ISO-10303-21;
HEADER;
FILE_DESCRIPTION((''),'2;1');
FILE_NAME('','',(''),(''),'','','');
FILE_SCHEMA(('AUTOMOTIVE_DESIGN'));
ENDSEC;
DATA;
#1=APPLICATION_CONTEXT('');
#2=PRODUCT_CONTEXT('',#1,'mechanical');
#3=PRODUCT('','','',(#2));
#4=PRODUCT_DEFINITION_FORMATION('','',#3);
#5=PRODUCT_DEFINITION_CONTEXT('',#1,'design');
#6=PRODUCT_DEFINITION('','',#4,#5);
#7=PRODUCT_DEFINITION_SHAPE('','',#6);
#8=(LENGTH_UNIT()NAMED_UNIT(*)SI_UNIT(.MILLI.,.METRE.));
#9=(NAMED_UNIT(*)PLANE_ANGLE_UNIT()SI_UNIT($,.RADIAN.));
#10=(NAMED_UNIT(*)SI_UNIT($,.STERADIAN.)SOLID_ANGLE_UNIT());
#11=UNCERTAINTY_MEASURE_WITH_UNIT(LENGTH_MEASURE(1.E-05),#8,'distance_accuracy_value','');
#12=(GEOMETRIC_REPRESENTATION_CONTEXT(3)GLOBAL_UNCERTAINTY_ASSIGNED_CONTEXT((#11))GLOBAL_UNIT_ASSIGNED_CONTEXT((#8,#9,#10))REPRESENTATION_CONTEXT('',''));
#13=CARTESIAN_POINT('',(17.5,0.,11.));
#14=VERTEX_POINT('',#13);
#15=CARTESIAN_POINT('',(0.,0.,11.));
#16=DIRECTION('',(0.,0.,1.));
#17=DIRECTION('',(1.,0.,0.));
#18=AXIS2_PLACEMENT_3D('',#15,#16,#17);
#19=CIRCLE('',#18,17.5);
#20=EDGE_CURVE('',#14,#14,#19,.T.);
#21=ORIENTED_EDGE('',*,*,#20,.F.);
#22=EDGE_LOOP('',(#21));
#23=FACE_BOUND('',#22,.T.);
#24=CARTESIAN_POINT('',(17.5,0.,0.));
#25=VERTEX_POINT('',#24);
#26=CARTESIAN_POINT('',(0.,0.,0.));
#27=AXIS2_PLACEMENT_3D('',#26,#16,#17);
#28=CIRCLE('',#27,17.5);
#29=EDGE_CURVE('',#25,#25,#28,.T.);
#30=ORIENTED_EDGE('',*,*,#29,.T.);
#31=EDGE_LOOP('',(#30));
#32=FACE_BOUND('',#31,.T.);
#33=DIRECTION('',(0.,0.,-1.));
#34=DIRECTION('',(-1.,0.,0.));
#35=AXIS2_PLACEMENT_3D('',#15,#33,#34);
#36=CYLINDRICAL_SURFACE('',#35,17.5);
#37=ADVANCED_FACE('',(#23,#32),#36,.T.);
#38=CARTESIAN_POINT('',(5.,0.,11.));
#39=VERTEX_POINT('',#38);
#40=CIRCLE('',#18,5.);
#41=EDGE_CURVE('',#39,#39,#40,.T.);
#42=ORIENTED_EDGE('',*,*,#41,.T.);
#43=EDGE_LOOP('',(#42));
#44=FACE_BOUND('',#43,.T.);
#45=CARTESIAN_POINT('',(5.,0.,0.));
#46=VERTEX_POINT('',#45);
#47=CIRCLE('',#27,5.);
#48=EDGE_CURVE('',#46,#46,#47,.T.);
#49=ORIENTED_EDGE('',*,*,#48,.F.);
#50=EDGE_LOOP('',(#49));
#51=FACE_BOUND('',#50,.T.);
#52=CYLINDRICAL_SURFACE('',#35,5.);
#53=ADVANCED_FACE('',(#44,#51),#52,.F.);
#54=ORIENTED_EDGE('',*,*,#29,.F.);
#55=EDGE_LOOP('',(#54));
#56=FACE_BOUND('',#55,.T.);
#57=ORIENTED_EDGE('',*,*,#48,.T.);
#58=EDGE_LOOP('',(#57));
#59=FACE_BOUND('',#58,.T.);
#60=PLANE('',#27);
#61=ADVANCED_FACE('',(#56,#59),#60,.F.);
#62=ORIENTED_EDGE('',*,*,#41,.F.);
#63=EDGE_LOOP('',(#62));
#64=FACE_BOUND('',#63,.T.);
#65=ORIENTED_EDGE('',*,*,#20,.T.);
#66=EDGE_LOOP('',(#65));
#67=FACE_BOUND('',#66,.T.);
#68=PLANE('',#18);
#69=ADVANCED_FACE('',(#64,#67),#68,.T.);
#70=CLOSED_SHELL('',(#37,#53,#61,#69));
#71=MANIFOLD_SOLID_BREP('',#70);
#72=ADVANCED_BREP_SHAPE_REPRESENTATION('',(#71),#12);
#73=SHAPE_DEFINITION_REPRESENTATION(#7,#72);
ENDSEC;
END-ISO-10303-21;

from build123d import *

# Parameters (mm, degrees)
CROQUIS1_R              = 17.5
CROQUIS1_R_2            = 5
SALIENTE_EXTRUIR1_DEPTH = 11


with BuildPart() as part:
    # Croquis1 → Saliente-Extruir1 (new body)
    with BuildSketch(Plane.XY):
        Circle(CROQUIS1_R)
        Circle(CROQUIS1_R_2, mode=Mode.SUBTRACT)
    extrude(amount=SALIENTE_EXTRUIR1_DEPTH)


solid = part.part
